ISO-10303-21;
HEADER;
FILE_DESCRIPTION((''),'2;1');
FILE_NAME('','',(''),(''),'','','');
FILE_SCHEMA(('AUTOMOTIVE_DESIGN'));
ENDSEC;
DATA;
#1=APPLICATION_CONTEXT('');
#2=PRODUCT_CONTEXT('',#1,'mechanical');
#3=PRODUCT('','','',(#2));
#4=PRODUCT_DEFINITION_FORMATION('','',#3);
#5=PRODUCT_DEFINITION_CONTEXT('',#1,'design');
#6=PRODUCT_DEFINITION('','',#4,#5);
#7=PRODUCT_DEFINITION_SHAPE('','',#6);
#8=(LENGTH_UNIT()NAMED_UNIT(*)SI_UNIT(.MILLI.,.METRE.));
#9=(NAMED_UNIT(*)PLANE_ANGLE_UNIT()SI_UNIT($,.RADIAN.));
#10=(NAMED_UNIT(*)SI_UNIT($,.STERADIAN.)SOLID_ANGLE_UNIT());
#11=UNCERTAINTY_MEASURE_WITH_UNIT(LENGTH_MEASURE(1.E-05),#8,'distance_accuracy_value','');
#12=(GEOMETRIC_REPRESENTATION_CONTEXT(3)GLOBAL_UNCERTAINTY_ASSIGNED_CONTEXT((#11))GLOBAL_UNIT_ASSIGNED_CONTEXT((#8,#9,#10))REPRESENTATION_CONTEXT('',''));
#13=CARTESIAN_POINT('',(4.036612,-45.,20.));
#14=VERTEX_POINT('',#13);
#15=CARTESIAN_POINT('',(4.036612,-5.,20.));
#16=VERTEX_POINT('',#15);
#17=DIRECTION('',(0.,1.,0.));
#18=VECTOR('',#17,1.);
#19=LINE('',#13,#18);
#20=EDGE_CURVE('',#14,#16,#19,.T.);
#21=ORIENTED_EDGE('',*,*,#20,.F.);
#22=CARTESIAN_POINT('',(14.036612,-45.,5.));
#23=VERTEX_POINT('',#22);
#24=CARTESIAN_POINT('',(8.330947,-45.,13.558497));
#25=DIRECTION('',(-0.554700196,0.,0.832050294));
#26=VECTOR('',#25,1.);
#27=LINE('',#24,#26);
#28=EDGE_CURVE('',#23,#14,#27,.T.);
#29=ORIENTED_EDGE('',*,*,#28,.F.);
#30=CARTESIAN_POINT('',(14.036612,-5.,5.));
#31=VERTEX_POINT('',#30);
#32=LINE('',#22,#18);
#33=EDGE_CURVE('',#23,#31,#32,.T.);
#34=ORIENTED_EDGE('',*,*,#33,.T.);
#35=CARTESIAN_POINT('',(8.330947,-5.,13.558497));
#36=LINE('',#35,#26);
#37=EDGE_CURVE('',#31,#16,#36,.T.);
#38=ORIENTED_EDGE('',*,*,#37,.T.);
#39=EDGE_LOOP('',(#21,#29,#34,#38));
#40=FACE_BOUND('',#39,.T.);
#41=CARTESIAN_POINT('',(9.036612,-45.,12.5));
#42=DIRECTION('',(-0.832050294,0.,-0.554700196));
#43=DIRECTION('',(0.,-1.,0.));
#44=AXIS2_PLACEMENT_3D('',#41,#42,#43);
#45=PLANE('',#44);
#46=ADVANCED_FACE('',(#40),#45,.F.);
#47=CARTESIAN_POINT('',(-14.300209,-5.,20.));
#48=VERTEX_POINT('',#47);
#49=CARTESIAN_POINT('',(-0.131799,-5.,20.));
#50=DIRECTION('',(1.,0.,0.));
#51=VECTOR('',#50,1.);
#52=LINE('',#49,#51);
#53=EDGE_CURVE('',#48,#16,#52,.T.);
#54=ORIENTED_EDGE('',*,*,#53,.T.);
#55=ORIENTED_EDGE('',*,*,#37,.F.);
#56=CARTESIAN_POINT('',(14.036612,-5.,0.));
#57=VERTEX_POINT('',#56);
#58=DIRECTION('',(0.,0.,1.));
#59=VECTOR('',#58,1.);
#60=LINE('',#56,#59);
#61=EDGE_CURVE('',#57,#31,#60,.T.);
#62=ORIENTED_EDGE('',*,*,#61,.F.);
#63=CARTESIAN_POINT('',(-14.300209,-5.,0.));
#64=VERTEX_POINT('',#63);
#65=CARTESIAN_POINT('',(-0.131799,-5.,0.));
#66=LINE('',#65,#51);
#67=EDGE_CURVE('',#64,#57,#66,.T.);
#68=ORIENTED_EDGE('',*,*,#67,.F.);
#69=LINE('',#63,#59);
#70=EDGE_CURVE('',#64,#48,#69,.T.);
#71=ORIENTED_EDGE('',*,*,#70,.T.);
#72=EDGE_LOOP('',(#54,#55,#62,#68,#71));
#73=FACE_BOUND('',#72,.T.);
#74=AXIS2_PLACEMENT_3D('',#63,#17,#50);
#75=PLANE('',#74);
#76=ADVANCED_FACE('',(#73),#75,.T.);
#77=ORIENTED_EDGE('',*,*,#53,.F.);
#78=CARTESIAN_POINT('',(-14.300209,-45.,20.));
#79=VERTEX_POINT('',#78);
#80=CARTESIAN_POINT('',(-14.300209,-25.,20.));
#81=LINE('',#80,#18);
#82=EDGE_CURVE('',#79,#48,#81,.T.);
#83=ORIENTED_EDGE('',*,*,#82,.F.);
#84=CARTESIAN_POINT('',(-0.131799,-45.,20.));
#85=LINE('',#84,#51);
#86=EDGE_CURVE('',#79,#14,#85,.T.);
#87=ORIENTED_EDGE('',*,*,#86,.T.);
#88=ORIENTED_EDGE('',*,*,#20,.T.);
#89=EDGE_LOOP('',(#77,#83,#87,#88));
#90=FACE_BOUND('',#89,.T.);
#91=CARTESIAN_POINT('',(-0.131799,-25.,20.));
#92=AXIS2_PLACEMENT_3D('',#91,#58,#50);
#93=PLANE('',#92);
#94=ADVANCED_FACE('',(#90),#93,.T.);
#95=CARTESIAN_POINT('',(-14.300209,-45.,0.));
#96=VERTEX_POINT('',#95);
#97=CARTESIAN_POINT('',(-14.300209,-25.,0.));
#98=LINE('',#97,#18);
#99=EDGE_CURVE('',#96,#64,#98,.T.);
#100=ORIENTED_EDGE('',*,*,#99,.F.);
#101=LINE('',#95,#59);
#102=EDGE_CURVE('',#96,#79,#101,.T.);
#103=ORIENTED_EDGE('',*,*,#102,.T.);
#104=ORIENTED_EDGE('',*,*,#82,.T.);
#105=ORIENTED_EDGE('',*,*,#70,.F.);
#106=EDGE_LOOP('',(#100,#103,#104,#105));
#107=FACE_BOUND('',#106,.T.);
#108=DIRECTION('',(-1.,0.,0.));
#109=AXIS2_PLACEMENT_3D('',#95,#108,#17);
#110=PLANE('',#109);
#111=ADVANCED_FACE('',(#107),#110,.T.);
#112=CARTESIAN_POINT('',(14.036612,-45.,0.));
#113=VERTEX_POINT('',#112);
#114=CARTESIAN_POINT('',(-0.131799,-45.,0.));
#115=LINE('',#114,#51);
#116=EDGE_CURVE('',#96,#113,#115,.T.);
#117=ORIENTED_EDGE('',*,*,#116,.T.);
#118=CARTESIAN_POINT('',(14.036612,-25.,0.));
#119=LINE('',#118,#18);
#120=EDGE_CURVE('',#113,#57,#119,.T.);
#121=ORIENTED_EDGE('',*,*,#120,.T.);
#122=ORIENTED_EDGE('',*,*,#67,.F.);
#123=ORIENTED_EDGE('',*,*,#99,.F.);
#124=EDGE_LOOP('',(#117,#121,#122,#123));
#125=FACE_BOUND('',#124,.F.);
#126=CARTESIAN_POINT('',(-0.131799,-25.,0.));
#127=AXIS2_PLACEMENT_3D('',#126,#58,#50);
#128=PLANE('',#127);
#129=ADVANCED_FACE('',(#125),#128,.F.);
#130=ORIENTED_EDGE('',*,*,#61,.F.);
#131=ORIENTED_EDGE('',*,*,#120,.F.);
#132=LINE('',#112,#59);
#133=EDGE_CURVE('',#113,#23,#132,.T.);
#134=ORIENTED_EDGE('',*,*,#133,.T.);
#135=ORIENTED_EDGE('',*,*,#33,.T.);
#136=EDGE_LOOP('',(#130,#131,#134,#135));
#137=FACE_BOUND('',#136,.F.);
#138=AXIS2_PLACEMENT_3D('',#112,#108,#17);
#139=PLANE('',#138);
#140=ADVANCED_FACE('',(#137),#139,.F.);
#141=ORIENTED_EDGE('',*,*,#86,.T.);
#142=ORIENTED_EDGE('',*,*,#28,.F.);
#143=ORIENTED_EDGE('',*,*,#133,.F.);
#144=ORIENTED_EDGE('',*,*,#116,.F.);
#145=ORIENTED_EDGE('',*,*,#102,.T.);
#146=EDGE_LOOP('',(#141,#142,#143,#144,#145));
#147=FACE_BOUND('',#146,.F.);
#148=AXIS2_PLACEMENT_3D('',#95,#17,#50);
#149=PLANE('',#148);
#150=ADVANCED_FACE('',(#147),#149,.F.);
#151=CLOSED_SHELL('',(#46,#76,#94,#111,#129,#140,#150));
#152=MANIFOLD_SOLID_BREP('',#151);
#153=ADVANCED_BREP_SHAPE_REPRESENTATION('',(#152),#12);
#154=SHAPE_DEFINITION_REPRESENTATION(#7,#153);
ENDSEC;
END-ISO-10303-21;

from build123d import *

# Parameters (mm, degrees)
F0_W     = 28.336821124
F0_H     = 40
F1_DEPTH = 20
F2_SIZE2 = 10
F2_SIZE  = 15


with BuildPart() as f1:
    # F0 (on Top) → F1 (new body)
    with BuildSketch(Plane.XY):
        with Locations((-0.1317989081, -25)):
            Rectangle(F0_W, F0_H)
    extrude(amount=F1_DEPTH)

    # F2
    f2_edges = [f1.edges().sort_by_distance(p)[0] for p in [
        (14.036612, -25, 20),
    ]]
    f2_side = f1.faces().sort_by_distance((14.036612, -25, 10))[0]
    chamfer(f2_edges, length=F2_SIZE, length2=F2_SIZE2, reference=f2_side)


solid = f1.part
